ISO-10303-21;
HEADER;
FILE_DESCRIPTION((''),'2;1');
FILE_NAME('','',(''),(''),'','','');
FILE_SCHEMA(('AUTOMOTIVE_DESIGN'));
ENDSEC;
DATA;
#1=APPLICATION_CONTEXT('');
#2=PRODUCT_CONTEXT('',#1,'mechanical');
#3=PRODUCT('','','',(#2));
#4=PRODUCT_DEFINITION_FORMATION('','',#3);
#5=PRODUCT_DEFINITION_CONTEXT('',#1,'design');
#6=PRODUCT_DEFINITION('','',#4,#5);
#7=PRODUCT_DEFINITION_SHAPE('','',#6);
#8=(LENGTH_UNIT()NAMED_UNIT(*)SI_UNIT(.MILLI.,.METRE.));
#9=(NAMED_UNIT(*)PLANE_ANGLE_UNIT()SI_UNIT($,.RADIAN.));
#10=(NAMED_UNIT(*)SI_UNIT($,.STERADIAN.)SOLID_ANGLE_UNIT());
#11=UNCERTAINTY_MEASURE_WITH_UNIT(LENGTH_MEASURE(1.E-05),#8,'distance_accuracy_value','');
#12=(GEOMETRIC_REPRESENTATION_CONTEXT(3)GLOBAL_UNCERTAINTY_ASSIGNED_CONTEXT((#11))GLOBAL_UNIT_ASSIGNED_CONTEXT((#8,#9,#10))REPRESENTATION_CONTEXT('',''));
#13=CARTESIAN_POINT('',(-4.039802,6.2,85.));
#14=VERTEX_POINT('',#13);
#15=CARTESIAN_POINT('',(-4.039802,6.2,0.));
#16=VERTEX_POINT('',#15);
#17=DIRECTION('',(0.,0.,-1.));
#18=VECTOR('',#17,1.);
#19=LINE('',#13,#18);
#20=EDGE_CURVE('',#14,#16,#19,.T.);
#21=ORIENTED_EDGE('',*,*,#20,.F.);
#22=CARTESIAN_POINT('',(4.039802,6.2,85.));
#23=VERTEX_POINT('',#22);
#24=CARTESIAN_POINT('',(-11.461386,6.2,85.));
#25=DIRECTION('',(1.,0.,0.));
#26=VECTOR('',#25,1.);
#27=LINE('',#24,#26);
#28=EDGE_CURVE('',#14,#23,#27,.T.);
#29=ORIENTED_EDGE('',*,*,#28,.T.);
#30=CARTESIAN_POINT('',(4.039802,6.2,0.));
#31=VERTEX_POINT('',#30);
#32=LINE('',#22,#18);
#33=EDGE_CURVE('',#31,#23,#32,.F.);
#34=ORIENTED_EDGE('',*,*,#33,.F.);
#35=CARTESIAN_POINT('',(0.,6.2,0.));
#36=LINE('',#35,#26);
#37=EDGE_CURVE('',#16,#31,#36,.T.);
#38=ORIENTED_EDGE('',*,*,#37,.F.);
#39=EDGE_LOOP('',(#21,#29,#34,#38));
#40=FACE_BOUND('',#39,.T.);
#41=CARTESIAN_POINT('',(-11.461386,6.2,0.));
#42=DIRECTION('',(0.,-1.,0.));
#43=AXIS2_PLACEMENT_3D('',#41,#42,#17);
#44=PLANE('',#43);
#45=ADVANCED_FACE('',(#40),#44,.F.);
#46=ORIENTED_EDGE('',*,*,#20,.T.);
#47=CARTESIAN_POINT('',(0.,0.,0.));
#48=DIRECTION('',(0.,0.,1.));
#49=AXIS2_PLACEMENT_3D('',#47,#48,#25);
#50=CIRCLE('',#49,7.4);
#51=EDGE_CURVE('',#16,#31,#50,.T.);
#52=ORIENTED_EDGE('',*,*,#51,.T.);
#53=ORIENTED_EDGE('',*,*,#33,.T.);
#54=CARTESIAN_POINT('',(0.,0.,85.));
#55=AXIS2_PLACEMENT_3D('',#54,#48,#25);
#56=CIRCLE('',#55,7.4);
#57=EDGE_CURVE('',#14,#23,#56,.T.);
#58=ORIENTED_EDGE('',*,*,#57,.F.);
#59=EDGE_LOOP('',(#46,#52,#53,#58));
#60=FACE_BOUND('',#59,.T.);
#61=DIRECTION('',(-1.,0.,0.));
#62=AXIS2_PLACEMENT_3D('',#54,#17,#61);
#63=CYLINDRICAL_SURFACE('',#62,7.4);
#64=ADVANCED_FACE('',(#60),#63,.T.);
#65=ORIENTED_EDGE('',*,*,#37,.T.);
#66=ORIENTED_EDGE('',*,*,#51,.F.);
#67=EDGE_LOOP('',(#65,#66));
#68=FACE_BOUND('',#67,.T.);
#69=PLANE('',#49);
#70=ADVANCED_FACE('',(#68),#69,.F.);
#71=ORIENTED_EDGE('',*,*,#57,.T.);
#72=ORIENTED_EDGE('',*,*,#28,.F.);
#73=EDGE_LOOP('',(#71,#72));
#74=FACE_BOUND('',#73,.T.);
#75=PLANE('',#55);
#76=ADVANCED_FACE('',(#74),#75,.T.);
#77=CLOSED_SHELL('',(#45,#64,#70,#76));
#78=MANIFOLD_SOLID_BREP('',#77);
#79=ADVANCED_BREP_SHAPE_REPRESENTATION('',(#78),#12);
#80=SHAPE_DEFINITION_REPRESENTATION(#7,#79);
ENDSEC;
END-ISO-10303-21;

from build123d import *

# Parameters (mm, degrees)
SKETCH_1_R          = 7.4
EXTRUDE_1_DEPTH     = 85
SKETCH_2_W          = 22.961609007
SKETCH_2_H          = 4.894916649
CUT_EXTRUDE_1_DEPTH = 86.641812218


with BuildPart() as part:
    # 草图1 → 凸台-拉伸1 (new body)
    with BuildSketch(Plane.XY):
        Circle(SKETCH_1_R)
    extrude(amount=EXTRUDE_1_DEPTH)

    # 草图2 → 切除-拉伸1 (cut, through all)
    with BuildSketch(Plane.XY.offset(85)):
        with Locations((0.019418579, 8.647458325)):
            Rectangle(SKETCH_2_W, SKETCH_2_H)
    extrude(amount=-CUT_EXTRUDE_1_DEPTH, mode=Mode.SUBTRACT)


solid = part.part
